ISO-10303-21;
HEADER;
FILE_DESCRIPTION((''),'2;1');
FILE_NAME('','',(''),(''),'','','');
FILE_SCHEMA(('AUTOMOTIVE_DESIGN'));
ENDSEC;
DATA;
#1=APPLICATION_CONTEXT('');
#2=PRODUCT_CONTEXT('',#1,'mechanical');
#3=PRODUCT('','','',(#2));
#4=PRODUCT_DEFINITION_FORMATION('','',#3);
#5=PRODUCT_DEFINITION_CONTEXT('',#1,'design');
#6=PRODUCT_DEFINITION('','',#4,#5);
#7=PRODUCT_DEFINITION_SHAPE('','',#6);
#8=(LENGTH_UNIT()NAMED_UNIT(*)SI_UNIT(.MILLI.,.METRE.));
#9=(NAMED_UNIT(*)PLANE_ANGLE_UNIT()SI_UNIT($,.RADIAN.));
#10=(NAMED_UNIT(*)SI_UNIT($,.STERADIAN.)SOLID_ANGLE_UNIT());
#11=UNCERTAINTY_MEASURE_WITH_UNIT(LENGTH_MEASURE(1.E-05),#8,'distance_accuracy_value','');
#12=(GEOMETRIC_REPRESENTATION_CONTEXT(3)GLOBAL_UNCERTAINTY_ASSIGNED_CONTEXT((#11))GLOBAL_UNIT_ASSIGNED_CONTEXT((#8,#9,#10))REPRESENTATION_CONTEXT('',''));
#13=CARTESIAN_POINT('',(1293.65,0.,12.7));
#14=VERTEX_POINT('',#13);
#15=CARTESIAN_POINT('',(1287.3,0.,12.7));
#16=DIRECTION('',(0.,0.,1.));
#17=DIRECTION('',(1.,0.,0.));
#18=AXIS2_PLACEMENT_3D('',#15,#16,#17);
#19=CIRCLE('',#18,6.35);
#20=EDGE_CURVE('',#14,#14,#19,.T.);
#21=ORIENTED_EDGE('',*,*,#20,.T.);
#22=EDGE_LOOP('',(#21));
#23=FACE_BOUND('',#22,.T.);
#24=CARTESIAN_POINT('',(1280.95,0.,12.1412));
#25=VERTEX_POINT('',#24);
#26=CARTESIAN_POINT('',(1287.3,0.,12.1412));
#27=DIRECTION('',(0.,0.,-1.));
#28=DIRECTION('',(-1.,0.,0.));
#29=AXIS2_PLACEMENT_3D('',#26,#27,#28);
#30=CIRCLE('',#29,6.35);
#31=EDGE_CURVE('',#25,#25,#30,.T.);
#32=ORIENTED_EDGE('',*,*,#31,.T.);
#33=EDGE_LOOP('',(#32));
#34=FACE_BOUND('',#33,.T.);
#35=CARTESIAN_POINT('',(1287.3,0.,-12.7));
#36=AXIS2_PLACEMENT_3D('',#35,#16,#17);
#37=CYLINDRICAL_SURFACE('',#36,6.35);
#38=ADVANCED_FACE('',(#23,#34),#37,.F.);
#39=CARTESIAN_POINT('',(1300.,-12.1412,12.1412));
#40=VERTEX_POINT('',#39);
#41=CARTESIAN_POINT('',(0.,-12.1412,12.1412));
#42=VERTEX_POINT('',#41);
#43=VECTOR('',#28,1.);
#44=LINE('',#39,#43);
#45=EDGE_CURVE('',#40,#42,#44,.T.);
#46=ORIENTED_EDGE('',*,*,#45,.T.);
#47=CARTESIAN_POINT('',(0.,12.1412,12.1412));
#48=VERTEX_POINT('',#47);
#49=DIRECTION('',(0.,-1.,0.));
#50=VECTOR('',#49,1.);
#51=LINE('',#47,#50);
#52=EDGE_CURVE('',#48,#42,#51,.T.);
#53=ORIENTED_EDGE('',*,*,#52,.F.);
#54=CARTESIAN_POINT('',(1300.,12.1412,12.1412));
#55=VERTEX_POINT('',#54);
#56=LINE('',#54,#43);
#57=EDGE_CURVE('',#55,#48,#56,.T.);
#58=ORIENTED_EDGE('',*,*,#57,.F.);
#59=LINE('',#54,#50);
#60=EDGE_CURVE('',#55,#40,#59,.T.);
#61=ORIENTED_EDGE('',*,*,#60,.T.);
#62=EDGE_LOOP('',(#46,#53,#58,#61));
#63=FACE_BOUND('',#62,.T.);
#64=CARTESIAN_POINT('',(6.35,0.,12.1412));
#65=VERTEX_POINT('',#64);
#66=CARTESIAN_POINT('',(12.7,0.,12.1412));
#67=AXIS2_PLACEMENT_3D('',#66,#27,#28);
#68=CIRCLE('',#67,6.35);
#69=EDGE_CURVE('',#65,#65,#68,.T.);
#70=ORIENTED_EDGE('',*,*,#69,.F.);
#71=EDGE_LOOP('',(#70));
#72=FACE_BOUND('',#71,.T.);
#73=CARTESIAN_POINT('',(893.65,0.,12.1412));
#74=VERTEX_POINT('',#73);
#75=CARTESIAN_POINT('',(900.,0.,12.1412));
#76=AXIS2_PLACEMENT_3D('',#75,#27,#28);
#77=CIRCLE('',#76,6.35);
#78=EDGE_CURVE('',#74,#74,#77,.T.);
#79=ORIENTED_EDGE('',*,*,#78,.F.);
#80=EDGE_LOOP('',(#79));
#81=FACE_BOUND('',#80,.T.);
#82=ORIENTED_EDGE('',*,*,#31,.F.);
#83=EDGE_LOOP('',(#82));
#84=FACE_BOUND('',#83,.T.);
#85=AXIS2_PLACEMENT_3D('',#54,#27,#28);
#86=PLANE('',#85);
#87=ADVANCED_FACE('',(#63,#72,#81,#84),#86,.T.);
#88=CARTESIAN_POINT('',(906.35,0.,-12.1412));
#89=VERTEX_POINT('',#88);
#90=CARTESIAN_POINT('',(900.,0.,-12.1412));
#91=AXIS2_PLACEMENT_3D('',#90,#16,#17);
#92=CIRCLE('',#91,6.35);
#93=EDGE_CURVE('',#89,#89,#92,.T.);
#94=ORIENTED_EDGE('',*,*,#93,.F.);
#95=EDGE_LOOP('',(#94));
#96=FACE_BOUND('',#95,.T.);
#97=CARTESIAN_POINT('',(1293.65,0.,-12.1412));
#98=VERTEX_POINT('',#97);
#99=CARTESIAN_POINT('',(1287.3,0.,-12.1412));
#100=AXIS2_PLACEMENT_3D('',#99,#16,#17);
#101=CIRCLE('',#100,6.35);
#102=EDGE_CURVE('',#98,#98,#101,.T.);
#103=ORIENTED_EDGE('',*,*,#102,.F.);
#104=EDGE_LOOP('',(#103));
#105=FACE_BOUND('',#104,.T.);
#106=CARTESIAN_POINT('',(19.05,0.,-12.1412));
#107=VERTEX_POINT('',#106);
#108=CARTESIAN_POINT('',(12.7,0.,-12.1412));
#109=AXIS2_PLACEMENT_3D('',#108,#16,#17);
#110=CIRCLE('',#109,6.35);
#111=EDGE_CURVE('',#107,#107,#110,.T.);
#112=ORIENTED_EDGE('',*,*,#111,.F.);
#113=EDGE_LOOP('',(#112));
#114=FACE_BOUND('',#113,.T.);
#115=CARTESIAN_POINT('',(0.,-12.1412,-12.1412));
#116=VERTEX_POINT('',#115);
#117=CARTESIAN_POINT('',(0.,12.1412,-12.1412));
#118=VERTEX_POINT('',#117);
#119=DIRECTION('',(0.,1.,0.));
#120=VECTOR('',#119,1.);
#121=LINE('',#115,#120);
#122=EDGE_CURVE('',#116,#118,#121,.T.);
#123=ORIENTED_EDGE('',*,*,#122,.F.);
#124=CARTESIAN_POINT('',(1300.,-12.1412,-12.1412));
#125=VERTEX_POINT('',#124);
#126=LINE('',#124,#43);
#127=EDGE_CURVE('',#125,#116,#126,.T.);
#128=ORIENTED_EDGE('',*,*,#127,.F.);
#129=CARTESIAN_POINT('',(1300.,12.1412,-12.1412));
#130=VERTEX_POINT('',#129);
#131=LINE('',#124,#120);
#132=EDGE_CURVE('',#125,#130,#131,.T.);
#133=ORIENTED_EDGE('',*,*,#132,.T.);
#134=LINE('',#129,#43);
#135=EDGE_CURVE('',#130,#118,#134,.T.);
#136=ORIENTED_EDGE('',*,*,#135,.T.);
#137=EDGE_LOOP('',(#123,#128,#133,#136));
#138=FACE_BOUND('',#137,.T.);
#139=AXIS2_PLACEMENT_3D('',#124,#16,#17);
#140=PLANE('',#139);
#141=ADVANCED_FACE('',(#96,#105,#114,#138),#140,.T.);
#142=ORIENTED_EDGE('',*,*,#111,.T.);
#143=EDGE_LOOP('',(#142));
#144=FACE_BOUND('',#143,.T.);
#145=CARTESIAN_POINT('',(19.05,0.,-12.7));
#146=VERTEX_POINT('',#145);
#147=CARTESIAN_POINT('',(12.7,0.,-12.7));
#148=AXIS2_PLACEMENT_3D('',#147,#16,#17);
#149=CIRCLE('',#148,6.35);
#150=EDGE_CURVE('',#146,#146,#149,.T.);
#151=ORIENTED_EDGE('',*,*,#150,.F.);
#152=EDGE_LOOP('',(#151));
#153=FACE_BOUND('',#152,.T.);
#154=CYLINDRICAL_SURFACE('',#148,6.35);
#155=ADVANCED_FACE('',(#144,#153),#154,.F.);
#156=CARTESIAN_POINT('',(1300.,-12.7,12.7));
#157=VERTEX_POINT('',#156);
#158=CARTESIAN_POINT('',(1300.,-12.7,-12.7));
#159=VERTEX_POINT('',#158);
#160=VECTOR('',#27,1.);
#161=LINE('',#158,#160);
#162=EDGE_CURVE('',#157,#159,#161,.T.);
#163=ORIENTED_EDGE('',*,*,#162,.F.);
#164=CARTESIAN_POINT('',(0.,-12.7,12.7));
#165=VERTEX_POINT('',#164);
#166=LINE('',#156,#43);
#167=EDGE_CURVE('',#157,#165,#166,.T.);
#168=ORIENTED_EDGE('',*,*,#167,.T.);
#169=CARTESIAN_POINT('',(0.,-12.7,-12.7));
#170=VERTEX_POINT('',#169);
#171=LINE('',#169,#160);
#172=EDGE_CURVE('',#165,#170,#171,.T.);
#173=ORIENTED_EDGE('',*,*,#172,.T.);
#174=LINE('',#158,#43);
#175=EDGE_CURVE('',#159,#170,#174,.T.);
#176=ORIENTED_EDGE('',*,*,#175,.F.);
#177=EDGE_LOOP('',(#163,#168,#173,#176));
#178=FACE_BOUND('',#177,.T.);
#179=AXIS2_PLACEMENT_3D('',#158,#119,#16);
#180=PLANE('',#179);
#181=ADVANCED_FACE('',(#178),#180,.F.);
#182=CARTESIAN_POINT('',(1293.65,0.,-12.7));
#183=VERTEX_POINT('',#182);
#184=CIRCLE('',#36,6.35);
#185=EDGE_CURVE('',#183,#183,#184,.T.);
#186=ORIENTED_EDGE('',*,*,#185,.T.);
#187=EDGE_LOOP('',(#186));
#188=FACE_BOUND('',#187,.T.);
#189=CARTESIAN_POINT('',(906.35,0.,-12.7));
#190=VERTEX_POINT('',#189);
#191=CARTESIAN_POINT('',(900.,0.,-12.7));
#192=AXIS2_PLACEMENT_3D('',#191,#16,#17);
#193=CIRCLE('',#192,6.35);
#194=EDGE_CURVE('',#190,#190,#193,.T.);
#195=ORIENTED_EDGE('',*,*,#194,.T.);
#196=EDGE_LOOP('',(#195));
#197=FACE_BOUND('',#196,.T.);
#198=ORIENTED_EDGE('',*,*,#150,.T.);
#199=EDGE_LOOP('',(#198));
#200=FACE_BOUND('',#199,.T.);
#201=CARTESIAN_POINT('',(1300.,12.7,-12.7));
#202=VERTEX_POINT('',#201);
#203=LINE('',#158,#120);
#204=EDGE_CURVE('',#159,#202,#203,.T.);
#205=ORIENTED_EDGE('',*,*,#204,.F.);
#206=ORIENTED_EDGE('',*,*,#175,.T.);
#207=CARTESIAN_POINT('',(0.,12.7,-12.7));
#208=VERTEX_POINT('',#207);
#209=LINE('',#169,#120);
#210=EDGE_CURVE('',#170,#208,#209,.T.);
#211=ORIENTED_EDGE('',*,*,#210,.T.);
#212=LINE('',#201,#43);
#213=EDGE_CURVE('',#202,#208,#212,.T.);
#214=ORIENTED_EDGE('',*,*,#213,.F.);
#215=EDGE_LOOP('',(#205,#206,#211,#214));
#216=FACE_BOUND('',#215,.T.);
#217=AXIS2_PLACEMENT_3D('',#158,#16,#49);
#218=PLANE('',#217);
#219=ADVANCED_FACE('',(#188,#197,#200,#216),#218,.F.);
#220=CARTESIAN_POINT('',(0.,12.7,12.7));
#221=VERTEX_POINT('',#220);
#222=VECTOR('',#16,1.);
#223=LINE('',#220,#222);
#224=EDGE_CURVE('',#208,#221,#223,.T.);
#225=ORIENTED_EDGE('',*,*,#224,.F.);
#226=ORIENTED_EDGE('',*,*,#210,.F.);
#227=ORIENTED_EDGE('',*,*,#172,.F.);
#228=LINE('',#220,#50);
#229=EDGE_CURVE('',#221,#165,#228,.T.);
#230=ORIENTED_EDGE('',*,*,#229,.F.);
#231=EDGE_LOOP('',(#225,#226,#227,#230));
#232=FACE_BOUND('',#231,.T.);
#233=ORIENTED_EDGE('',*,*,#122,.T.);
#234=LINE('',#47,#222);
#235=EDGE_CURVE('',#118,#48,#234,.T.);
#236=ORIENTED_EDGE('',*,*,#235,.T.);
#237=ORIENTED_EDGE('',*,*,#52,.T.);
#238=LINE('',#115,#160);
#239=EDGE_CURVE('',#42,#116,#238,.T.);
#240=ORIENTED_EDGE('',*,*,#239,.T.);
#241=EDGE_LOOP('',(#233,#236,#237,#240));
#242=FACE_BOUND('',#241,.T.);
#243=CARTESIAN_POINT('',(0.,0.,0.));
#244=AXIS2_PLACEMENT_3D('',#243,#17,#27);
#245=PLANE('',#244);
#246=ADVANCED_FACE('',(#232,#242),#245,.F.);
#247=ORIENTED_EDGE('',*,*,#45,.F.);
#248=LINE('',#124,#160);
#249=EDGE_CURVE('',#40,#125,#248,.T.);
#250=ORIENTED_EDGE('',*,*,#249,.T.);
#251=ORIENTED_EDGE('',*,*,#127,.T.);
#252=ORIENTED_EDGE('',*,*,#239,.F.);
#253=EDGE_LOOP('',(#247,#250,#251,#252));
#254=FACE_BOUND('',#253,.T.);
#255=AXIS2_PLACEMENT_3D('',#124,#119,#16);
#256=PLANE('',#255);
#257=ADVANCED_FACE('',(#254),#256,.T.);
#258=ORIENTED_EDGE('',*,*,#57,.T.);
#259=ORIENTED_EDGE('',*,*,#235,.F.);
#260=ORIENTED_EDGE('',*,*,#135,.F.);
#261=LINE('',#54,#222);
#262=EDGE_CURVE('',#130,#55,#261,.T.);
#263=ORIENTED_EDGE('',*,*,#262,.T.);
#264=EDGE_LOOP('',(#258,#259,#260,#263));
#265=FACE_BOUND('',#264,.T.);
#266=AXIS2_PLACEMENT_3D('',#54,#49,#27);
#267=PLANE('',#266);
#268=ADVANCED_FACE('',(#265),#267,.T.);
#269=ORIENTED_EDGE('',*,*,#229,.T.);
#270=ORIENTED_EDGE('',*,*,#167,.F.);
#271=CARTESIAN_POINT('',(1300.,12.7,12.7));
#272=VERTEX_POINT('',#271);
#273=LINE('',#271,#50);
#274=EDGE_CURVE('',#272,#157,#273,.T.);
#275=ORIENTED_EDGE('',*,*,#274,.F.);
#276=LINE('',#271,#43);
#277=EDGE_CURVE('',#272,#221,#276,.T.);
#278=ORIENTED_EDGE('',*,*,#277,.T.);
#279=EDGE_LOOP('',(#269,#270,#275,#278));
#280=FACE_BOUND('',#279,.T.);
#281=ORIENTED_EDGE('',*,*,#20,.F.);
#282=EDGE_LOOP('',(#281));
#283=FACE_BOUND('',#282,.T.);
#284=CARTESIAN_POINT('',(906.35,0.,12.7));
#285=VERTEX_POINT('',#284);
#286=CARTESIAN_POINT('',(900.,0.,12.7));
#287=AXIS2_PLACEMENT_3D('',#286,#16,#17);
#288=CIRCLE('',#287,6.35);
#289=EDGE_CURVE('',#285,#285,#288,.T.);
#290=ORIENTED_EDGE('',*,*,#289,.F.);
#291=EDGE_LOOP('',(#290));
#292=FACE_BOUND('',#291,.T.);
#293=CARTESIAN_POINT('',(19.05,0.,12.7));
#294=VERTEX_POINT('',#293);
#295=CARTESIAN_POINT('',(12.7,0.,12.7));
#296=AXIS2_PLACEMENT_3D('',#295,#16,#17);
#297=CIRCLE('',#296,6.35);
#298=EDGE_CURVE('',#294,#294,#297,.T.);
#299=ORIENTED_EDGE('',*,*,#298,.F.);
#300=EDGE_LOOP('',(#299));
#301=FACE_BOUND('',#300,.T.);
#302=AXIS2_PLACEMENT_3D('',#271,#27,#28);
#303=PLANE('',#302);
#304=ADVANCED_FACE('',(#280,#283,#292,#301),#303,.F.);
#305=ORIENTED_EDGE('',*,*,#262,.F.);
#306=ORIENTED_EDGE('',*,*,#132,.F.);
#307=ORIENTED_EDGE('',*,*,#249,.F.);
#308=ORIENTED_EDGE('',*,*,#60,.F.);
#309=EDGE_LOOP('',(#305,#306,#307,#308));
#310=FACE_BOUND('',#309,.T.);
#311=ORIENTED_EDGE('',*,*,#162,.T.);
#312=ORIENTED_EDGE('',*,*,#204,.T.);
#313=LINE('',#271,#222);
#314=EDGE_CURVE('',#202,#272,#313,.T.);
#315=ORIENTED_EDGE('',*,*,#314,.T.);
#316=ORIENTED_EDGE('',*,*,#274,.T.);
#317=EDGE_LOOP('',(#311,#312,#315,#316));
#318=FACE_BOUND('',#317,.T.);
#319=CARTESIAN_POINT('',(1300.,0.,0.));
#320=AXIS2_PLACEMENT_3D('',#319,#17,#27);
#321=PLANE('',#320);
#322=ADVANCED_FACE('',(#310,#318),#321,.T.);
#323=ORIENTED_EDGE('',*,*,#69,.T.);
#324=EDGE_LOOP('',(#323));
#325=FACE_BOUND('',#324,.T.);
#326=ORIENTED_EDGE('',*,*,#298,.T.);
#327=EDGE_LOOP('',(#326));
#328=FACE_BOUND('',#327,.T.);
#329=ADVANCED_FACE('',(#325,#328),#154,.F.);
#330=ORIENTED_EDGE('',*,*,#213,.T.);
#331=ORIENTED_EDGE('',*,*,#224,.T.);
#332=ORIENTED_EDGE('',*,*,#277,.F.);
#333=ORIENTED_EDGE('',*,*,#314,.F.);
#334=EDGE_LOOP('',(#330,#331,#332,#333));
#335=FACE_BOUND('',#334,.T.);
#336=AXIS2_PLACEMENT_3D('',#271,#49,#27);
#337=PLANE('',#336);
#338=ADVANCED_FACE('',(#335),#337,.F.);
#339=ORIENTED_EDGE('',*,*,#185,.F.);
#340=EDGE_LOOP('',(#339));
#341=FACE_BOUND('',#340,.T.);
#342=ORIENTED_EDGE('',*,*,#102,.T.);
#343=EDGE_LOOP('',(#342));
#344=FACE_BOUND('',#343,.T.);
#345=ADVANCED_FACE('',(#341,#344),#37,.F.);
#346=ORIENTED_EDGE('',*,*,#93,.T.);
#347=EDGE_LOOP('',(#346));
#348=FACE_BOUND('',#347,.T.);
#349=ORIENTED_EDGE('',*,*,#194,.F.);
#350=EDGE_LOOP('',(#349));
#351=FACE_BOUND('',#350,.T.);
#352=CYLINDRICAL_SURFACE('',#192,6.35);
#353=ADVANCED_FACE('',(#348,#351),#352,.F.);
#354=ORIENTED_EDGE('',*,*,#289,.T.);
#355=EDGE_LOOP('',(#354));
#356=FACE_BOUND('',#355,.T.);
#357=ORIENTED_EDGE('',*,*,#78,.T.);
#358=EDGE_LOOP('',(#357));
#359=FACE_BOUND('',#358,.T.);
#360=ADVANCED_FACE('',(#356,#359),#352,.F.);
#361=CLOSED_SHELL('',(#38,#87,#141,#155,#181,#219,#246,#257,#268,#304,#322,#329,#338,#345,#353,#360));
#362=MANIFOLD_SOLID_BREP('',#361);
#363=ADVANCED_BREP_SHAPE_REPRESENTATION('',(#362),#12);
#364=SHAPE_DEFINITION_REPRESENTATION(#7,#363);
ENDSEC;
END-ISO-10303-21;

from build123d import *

# Parameters (mm, degrees)
SKETCH1_W                              = 25.4
SKETCH1_H                              = 25.4
SKETCH1_W_2                            = 24.2824
SKETCH1_H_2                            = 24.2824
AL_TUBE_SQUARE_1_SQ_X_022_WALL_3_DEPTH = 1300
CROQUIS3_R                             = 6.35
CORTAR_EXTRUIR1_DEPTH                  = 1301.310136083


with BuildPart() as part:
    # Sketch1 → Al tube (square) 1 SQ X .022 WALL(3) (new body)
    with BuildSketch(Plane.YZ):
        Rectangle(SKETCH1_W, SKETCH1_H)
        Rectangle(SKETCH1_W_2, SKETCH1_H_2, mode=Mode.SUBTRACT)
    extrude(amount=AL_TUBE_SQUARE_1_SQ_X_022_WALL_3_DEPTH)

    # Croquis3 → Cortar-Extruir1 (cut, through all)
    with BuildSketch(Plane.XY.offset(12.7)):
        with Locations((1287.3, 0)):
            Circle(CROQUIS3_R)
        with Locations((900, 0)):
            Circle(CROQUIS3_R)
        with Locations((12.7, 0)):
            Circle(CROQUIS3_R)
    extrude(amount=-CORTAR_EXTRUIR1_DEPTH, mode=Mode.SUBTRACT)


solid = part.part
